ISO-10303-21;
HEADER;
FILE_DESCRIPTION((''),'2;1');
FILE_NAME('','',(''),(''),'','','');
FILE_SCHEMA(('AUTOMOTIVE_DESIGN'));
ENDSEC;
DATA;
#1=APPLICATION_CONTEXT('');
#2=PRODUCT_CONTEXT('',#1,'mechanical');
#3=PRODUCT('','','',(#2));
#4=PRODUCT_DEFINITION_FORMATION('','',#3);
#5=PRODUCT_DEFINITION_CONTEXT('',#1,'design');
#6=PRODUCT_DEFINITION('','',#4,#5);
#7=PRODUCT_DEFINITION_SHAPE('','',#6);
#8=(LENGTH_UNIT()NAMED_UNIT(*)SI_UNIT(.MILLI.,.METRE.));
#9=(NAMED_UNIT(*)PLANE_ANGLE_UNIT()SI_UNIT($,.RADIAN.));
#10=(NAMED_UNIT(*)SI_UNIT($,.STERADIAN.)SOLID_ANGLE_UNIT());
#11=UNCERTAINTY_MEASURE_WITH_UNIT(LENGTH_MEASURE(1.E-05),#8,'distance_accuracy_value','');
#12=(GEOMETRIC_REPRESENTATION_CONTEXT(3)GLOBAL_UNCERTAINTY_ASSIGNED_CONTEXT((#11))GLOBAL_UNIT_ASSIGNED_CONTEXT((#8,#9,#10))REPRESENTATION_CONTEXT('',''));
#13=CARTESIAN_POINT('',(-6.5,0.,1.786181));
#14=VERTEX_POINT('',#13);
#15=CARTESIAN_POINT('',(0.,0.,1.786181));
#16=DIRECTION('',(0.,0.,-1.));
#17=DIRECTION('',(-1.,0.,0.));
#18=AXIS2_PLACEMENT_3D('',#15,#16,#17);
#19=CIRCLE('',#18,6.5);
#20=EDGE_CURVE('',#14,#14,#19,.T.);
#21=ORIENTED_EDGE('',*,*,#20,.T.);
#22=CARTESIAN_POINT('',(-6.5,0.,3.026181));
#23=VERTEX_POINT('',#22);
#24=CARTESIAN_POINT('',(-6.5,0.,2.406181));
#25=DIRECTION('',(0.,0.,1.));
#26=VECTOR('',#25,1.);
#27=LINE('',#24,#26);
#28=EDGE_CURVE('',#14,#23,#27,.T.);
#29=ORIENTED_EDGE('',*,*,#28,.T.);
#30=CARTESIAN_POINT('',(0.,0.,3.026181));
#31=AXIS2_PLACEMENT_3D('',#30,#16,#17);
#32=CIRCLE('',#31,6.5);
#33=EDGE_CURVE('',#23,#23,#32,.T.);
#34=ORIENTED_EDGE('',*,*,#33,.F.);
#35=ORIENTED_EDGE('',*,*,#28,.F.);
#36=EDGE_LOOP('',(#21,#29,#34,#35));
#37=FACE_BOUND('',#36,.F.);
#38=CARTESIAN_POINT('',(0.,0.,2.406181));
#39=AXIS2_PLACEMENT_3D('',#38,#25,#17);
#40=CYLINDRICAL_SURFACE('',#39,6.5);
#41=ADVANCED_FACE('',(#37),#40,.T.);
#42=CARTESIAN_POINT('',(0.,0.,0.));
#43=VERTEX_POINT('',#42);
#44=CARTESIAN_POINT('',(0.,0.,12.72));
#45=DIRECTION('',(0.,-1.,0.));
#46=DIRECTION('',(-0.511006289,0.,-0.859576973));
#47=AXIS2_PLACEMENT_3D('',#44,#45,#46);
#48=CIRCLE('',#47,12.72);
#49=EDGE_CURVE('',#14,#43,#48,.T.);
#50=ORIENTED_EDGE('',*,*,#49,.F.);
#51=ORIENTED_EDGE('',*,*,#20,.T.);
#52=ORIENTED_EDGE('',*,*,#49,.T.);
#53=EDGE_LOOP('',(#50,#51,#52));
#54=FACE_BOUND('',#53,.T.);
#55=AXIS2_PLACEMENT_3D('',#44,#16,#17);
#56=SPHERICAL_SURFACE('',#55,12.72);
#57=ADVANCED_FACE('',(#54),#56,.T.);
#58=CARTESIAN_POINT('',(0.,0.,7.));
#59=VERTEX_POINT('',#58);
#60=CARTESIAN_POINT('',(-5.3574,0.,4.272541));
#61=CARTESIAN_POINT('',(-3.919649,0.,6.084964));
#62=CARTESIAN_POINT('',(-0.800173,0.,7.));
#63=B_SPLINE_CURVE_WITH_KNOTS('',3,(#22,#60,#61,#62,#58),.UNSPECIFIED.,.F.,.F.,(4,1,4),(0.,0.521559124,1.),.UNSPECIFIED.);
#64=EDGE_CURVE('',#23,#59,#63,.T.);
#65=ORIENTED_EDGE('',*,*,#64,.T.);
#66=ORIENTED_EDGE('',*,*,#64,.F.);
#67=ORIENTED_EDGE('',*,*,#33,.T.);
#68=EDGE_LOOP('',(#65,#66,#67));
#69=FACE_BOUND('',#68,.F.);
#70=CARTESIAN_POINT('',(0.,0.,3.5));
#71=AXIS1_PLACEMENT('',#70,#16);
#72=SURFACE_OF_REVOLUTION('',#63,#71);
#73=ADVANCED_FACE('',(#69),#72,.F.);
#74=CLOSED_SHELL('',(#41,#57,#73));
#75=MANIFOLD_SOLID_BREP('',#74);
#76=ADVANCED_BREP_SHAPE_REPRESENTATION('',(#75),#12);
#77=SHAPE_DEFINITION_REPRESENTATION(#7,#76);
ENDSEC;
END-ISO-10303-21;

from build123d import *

# Parameters (mm, degrees)
F0_W = 6.5
F0_H = 1.24


with BuildPart() as f1:
    # F0 (on Front) → F1 (revolve)
    with BuildSketch(Plane.XZ):
        with BuildLine():
            Line((0, 1.7861809051), (-6.5, 1.7861809051))
            ThreePointArc((-6.5, 1.7861809051), (-3.37047631, 0.454671246), (0, 0))
            Line((0, 0), (0, 1.7861809051))
        make_face()
        with Locations((-3.25, 2.4061809051)):
            Rectangle(F0_W, F0_H)
        with BuildLine():
            add(Edge.make_bspline(
                [(-6.5, 3.0261809051), (-5.3573995829, 4.2725410312), (-3.9196493852, 6.0849644276), (-0.8001727983, 7), (0, 7)],
                knots=[0, 0, 0, 0, 0.5215591243, 1, 1, 1, 1], degree=3))
            Line((-6.5, 3.0261809051), (0, 3.0261809051))
            Line((0, 3.0261809051), (0, 7))
        make_face()
    revolve(axis=Axis((0, 0, 3.5), (0, 0, -1)))


solid = f1.part
